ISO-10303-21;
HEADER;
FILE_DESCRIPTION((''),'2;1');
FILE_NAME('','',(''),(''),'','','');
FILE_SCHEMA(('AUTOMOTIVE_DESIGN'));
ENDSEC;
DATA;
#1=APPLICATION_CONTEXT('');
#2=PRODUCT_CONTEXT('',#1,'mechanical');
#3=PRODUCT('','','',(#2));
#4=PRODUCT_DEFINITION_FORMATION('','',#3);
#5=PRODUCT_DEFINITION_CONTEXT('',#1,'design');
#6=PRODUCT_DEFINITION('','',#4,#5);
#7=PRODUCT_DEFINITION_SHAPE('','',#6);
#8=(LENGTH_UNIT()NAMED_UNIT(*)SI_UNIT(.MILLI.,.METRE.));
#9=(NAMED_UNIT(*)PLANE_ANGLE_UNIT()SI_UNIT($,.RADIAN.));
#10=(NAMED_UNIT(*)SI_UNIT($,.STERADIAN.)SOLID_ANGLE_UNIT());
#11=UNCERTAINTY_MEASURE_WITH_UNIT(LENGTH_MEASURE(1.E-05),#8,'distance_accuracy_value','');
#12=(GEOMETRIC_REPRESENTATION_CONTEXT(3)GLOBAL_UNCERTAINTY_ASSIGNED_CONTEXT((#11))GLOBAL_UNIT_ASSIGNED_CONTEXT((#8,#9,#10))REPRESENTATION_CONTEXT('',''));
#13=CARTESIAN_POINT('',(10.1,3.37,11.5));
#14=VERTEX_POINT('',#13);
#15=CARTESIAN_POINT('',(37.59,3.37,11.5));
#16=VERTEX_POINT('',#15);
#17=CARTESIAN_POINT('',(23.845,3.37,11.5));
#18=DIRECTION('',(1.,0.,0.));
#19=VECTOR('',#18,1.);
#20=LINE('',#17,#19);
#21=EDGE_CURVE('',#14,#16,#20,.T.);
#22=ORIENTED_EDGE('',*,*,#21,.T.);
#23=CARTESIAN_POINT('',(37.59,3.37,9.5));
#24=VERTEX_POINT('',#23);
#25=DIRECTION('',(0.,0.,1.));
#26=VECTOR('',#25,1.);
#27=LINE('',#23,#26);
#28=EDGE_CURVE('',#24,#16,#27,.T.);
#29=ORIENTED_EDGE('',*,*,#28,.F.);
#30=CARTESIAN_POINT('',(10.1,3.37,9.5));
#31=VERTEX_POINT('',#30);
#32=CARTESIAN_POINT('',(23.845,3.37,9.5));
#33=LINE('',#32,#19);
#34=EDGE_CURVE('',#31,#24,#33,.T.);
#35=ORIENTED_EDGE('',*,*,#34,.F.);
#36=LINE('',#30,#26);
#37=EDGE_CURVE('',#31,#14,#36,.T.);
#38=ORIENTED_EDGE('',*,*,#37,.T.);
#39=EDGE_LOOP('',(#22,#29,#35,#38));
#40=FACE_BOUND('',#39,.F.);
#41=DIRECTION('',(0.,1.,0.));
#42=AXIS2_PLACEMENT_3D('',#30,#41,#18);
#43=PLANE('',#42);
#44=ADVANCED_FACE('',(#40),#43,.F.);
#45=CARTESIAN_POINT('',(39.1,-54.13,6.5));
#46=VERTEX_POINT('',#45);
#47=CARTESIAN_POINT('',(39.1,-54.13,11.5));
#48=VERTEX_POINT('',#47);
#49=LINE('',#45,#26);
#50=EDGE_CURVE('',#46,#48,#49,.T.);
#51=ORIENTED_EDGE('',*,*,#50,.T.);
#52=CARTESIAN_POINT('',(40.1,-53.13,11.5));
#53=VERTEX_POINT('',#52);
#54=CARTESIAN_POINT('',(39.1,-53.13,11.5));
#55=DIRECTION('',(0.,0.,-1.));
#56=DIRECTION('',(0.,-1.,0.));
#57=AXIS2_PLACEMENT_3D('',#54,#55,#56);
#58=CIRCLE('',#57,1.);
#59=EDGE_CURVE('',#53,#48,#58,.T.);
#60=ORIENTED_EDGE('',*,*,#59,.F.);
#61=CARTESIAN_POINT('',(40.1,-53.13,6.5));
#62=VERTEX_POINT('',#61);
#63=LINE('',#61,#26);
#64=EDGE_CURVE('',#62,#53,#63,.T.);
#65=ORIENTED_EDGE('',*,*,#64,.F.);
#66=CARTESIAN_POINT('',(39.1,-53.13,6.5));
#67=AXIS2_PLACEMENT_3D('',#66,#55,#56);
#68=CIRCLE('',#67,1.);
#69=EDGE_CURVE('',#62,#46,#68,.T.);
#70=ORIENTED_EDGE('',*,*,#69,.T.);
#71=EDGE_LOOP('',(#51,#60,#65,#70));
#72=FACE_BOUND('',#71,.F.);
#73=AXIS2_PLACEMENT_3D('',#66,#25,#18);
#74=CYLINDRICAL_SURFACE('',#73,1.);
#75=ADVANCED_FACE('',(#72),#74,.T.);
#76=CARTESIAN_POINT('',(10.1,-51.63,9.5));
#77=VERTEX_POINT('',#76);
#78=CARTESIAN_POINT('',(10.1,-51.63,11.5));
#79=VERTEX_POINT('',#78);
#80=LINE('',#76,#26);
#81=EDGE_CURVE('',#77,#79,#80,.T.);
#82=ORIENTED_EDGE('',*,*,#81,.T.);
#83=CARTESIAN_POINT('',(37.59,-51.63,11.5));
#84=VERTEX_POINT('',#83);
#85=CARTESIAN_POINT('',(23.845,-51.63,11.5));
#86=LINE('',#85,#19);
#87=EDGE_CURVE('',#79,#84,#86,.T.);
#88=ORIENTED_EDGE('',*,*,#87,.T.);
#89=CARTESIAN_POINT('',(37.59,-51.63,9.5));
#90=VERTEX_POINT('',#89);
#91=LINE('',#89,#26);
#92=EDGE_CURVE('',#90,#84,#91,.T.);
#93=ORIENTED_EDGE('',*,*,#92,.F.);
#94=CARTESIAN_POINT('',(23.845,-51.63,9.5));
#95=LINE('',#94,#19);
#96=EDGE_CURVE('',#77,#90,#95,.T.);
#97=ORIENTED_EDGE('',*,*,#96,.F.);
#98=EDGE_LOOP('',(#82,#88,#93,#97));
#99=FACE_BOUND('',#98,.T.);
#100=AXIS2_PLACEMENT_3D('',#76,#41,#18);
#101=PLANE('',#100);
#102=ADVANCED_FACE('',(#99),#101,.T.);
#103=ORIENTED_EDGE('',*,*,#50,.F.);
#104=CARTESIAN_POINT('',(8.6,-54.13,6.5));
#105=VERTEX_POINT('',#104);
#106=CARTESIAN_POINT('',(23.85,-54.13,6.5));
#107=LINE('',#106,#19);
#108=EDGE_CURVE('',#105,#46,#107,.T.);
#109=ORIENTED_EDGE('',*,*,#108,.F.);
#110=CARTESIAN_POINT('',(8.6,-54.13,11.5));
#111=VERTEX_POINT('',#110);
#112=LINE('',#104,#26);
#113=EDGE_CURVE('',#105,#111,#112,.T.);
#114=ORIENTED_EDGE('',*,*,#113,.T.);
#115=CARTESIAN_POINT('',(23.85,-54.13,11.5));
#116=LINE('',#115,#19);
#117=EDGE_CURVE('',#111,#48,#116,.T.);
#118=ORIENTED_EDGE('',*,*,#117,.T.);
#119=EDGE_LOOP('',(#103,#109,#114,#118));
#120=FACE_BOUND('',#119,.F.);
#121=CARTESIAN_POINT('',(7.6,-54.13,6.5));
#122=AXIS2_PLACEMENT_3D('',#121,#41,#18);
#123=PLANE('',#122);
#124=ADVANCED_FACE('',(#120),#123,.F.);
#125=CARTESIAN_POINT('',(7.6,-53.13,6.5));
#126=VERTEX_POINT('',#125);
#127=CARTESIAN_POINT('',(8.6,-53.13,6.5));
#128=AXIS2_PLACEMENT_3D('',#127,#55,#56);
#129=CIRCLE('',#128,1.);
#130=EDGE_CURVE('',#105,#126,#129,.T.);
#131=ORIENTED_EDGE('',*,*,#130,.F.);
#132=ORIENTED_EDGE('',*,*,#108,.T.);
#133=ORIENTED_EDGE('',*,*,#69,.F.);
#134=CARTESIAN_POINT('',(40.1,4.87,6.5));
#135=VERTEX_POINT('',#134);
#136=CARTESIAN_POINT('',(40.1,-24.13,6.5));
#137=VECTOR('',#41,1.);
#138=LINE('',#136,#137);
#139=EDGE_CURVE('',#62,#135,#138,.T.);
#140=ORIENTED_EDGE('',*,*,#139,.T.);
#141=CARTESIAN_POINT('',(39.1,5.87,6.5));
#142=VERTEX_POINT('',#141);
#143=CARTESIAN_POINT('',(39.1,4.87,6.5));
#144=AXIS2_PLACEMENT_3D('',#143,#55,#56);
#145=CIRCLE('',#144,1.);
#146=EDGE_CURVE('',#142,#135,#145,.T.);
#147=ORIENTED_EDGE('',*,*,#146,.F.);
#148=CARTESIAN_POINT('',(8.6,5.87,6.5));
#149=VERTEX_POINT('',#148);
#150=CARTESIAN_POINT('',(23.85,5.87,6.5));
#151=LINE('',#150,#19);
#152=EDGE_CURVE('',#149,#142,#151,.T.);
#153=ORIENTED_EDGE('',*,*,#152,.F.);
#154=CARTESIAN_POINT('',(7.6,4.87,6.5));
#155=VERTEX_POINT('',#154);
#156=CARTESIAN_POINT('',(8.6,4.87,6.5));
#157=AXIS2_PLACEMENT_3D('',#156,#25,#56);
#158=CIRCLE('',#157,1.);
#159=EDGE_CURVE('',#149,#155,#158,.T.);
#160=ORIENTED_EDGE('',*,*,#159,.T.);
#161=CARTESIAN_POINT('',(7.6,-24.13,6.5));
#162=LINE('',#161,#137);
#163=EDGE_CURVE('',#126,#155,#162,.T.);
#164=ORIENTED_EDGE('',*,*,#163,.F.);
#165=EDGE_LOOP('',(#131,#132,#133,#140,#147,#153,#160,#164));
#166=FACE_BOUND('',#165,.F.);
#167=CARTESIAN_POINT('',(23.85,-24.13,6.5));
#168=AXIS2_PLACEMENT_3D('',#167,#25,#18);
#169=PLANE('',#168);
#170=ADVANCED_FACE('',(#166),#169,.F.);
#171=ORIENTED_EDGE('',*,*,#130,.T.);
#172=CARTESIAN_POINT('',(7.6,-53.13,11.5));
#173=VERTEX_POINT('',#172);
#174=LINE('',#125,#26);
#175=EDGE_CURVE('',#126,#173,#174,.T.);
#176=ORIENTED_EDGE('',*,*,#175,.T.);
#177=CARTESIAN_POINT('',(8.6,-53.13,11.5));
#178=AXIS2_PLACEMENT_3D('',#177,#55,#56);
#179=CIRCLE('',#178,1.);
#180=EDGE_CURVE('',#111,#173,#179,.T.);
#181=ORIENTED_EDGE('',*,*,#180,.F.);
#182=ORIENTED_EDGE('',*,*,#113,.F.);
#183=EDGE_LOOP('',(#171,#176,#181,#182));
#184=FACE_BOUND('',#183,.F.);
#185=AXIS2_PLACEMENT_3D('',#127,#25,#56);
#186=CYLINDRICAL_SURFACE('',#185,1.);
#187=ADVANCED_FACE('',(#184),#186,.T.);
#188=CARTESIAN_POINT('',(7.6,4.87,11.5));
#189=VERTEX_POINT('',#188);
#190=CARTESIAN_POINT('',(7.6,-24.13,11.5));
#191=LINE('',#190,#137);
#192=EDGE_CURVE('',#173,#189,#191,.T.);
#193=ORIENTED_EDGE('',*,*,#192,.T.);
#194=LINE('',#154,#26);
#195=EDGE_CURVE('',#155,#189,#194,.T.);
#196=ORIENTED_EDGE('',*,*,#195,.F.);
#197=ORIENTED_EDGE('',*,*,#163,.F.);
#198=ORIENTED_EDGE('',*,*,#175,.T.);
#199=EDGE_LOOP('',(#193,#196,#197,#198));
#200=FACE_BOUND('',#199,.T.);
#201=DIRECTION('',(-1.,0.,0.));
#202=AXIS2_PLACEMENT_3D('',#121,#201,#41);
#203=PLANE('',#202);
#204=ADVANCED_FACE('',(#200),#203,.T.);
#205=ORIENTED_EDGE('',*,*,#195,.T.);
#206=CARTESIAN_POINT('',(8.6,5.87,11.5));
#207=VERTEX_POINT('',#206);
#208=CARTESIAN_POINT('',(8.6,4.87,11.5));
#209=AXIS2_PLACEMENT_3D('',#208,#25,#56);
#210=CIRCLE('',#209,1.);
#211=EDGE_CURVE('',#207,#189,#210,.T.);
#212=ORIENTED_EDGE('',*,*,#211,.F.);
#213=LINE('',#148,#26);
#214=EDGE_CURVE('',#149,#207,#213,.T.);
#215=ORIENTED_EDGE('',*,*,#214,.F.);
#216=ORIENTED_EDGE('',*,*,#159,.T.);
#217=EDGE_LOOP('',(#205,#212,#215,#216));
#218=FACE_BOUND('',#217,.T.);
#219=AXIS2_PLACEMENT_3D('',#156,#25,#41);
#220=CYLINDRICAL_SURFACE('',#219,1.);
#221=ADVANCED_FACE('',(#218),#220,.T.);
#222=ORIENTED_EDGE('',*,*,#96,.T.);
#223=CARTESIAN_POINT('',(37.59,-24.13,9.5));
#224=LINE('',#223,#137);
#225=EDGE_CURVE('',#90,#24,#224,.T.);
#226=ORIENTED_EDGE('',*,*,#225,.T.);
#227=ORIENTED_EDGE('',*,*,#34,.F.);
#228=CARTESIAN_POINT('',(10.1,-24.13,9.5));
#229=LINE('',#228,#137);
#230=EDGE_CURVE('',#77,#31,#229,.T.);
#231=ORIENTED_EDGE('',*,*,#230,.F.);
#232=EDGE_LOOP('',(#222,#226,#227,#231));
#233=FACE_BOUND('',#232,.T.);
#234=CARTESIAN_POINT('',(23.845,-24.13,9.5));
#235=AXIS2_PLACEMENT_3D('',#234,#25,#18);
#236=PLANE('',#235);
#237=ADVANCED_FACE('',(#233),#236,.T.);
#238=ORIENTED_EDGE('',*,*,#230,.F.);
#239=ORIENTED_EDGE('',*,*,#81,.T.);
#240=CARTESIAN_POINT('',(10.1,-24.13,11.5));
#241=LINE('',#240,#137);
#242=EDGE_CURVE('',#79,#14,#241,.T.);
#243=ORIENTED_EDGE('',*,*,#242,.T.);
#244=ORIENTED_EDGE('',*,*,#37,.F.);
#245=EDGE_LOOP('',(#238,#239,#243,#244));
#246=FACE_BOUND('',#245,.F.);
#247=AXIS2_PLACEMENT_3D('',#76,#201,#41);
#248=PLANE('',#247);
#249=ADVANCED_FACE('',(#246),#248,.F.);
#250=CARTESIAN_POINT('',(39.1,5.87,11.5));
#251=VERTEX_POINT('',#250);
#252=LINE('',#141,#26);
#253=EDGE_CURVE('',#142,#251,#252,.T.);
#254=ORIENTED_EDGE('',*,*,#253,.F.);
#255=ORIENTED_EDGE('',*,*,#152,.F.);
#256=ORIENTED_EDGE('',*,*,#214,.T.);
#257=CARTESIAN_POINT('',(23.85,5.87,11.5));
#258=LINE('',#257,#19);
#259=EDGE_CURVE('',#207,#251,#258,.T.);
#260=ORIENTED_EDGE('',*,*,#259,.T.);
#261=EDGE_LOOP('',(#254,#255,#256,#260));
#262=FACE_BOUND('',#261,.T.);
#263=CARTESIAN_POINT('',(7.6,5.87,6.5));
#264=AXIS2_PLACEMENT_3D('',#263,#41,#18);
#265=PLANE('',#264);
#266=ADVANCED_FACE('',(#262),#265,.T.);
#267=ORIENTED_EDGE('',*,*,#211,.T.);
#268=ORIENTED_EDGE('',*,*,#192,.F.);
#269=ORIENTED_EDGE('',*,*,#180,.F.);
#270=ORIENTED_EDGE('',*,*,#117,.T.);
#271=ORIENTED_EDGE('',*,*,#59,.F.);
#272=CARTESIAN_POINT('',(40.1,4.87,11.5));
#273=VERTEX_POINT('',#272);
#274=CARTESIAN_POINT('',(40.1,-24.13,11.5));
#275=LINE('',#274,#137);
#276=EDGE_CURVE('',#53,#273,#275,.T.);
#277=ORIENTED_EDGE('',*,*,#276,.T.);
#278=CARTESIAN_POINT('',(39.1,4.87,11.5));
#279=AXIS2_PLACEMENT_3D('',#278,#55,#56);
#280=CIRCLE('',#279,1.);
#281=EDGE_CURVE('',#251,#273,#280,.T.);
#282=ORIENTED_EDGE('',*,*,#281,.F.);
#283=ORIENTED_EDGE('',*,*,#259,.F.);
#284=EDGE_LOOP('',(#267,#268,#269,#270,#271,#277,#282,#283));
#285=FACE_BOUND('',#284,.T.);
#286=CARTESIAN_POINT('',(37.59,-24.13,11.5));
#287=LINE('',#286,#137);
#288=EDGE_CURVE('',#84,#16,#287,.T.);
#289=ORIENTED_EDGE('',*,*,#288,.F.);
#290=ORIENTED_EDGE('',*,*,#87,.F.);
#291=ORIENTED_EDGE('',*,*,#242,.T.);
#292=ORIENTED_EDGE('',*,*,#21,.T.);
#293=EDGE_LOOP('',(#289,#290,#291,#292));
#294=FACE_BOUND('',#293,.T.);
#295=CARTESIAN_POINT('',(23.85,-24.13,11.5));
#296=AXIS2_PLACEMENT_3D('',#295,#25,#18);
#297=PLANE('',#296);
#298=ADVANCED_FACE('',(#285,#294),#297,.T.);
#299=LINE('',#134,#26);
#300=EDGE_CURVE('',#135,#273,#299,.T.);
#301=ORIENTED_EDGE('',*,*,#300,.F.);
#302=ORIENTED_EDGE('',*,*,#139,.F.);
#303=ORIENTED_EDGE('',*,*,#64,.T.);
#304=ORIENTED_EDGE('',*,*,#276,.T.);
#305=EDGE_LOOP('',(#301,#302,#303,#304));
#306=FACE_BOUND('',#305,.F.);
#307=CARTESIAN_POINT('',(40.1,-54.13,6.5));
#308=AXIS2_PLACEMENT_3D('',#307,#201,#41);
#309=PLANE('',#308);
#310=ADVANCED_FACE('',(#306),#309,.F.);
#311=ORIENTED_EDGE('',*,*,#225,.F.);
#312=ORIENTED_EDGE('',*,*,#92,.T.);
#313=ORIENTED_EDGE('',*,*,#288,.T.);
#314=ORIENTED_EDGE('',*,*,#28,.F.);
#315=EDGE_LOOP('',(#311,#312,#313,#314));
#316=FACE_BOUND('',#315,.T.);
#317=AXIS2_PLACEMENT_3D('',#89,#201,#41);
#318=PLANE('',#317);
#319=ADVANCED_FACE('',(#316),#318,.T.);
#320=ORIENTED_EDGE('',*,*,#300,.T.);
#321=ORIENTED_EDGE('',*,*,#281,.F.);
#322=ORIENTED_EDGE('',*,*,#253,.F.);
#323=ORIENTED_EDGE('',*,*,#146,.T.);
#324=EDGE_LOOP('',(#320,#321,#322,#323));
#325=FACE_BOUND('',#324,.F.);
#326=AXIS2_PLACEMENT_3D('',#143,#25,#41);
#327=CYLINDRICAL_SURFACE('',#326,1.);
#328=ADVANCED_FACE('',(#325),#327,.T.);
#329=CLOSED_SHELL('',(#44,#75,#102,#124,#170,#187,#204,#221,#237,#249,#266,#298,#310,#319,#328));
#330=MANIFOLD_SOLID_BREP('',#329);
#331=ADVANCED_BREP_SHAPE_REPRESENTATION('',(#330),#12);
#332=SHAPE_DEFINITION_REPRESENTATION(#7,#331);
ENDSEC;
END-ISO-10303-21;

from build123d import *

# Parameters (mm, degrees)
BOX002_W     = 27.49
BOX002_H     = 55
BOX002_DEPTH = 2
BOX_W        = 32.5
BOX_H        = 60
BOX_DEPTH    = 5
FILLET_R     = 1
FILLET001_R  = 1
FILLET002_R  = 1
FILLET003_R  = 1


with BuildPart() as hole_i_frame:
    # Box002 → Box002 (new body)
    with BuildSketch(Plane(origin=(10.1, -51.63, 4), x_dir=(1, 0, 0), z_dir=(0, 0, 1))):
        with Locations((13.745, 27.5)):
            Rectangle(BOX002_W, BOX002_H)
    extrude(amount=BOX002_DEPTH)


with BuildPart() as fillet003:
    # Box → Box (new body)
    with BuildSketch(Plane(origin=(7.6, -54.13, 1), x_dir=(1, 0, 0), z_dir=(0, 0, 1))):
        with Locations((16.25, 30)):
            Rectangle(BOX_W, BOX_H)
    extrude(amount=BOX_DEPTH)

    # Cut: cut Hole i frame
    add(hole_i_frame.part, mode=Mode.SUBTRACT)

    # Fillet
    fillet_edges = [fillet003.edges().sort_by_distance(p)[0] for p in [
        (40.1, 5.87, 3.5),
    ]]
    fillet(fillet_edges, radius=FILLET_R)

    # Fillet001
    fillet001_edges = [fillet003.edges().sort_by_distance(p)[0] for p in [
        (7.6, 5.87, 3.5),
    ]]
    fillet(fillet001_edges, radius=FILLET001_R)

    # Fillet002
    fillet002_edges = [fillet003.edges().sort_by_distance(p)[0] for p in [
        (40.1, -54.13, 3.5),
    ]]
    fillet(fillet002_edges, radius=FILLET002_R)

    # Fillet003
    fillet003_edges = [fillet003.edges().sort_by_distance(p)[0] for p in [
        (7.6, -54.13, 3.5),
    ]]
    fillet(fillet003_edges, radius=FILLET003_R)


with BuildPart() as fillet003_1:
    # Fillet003 placement: moved
    add(fillet003.part.moved(Location((0, 0, 5.5))))


solid = fillet003_1.part
